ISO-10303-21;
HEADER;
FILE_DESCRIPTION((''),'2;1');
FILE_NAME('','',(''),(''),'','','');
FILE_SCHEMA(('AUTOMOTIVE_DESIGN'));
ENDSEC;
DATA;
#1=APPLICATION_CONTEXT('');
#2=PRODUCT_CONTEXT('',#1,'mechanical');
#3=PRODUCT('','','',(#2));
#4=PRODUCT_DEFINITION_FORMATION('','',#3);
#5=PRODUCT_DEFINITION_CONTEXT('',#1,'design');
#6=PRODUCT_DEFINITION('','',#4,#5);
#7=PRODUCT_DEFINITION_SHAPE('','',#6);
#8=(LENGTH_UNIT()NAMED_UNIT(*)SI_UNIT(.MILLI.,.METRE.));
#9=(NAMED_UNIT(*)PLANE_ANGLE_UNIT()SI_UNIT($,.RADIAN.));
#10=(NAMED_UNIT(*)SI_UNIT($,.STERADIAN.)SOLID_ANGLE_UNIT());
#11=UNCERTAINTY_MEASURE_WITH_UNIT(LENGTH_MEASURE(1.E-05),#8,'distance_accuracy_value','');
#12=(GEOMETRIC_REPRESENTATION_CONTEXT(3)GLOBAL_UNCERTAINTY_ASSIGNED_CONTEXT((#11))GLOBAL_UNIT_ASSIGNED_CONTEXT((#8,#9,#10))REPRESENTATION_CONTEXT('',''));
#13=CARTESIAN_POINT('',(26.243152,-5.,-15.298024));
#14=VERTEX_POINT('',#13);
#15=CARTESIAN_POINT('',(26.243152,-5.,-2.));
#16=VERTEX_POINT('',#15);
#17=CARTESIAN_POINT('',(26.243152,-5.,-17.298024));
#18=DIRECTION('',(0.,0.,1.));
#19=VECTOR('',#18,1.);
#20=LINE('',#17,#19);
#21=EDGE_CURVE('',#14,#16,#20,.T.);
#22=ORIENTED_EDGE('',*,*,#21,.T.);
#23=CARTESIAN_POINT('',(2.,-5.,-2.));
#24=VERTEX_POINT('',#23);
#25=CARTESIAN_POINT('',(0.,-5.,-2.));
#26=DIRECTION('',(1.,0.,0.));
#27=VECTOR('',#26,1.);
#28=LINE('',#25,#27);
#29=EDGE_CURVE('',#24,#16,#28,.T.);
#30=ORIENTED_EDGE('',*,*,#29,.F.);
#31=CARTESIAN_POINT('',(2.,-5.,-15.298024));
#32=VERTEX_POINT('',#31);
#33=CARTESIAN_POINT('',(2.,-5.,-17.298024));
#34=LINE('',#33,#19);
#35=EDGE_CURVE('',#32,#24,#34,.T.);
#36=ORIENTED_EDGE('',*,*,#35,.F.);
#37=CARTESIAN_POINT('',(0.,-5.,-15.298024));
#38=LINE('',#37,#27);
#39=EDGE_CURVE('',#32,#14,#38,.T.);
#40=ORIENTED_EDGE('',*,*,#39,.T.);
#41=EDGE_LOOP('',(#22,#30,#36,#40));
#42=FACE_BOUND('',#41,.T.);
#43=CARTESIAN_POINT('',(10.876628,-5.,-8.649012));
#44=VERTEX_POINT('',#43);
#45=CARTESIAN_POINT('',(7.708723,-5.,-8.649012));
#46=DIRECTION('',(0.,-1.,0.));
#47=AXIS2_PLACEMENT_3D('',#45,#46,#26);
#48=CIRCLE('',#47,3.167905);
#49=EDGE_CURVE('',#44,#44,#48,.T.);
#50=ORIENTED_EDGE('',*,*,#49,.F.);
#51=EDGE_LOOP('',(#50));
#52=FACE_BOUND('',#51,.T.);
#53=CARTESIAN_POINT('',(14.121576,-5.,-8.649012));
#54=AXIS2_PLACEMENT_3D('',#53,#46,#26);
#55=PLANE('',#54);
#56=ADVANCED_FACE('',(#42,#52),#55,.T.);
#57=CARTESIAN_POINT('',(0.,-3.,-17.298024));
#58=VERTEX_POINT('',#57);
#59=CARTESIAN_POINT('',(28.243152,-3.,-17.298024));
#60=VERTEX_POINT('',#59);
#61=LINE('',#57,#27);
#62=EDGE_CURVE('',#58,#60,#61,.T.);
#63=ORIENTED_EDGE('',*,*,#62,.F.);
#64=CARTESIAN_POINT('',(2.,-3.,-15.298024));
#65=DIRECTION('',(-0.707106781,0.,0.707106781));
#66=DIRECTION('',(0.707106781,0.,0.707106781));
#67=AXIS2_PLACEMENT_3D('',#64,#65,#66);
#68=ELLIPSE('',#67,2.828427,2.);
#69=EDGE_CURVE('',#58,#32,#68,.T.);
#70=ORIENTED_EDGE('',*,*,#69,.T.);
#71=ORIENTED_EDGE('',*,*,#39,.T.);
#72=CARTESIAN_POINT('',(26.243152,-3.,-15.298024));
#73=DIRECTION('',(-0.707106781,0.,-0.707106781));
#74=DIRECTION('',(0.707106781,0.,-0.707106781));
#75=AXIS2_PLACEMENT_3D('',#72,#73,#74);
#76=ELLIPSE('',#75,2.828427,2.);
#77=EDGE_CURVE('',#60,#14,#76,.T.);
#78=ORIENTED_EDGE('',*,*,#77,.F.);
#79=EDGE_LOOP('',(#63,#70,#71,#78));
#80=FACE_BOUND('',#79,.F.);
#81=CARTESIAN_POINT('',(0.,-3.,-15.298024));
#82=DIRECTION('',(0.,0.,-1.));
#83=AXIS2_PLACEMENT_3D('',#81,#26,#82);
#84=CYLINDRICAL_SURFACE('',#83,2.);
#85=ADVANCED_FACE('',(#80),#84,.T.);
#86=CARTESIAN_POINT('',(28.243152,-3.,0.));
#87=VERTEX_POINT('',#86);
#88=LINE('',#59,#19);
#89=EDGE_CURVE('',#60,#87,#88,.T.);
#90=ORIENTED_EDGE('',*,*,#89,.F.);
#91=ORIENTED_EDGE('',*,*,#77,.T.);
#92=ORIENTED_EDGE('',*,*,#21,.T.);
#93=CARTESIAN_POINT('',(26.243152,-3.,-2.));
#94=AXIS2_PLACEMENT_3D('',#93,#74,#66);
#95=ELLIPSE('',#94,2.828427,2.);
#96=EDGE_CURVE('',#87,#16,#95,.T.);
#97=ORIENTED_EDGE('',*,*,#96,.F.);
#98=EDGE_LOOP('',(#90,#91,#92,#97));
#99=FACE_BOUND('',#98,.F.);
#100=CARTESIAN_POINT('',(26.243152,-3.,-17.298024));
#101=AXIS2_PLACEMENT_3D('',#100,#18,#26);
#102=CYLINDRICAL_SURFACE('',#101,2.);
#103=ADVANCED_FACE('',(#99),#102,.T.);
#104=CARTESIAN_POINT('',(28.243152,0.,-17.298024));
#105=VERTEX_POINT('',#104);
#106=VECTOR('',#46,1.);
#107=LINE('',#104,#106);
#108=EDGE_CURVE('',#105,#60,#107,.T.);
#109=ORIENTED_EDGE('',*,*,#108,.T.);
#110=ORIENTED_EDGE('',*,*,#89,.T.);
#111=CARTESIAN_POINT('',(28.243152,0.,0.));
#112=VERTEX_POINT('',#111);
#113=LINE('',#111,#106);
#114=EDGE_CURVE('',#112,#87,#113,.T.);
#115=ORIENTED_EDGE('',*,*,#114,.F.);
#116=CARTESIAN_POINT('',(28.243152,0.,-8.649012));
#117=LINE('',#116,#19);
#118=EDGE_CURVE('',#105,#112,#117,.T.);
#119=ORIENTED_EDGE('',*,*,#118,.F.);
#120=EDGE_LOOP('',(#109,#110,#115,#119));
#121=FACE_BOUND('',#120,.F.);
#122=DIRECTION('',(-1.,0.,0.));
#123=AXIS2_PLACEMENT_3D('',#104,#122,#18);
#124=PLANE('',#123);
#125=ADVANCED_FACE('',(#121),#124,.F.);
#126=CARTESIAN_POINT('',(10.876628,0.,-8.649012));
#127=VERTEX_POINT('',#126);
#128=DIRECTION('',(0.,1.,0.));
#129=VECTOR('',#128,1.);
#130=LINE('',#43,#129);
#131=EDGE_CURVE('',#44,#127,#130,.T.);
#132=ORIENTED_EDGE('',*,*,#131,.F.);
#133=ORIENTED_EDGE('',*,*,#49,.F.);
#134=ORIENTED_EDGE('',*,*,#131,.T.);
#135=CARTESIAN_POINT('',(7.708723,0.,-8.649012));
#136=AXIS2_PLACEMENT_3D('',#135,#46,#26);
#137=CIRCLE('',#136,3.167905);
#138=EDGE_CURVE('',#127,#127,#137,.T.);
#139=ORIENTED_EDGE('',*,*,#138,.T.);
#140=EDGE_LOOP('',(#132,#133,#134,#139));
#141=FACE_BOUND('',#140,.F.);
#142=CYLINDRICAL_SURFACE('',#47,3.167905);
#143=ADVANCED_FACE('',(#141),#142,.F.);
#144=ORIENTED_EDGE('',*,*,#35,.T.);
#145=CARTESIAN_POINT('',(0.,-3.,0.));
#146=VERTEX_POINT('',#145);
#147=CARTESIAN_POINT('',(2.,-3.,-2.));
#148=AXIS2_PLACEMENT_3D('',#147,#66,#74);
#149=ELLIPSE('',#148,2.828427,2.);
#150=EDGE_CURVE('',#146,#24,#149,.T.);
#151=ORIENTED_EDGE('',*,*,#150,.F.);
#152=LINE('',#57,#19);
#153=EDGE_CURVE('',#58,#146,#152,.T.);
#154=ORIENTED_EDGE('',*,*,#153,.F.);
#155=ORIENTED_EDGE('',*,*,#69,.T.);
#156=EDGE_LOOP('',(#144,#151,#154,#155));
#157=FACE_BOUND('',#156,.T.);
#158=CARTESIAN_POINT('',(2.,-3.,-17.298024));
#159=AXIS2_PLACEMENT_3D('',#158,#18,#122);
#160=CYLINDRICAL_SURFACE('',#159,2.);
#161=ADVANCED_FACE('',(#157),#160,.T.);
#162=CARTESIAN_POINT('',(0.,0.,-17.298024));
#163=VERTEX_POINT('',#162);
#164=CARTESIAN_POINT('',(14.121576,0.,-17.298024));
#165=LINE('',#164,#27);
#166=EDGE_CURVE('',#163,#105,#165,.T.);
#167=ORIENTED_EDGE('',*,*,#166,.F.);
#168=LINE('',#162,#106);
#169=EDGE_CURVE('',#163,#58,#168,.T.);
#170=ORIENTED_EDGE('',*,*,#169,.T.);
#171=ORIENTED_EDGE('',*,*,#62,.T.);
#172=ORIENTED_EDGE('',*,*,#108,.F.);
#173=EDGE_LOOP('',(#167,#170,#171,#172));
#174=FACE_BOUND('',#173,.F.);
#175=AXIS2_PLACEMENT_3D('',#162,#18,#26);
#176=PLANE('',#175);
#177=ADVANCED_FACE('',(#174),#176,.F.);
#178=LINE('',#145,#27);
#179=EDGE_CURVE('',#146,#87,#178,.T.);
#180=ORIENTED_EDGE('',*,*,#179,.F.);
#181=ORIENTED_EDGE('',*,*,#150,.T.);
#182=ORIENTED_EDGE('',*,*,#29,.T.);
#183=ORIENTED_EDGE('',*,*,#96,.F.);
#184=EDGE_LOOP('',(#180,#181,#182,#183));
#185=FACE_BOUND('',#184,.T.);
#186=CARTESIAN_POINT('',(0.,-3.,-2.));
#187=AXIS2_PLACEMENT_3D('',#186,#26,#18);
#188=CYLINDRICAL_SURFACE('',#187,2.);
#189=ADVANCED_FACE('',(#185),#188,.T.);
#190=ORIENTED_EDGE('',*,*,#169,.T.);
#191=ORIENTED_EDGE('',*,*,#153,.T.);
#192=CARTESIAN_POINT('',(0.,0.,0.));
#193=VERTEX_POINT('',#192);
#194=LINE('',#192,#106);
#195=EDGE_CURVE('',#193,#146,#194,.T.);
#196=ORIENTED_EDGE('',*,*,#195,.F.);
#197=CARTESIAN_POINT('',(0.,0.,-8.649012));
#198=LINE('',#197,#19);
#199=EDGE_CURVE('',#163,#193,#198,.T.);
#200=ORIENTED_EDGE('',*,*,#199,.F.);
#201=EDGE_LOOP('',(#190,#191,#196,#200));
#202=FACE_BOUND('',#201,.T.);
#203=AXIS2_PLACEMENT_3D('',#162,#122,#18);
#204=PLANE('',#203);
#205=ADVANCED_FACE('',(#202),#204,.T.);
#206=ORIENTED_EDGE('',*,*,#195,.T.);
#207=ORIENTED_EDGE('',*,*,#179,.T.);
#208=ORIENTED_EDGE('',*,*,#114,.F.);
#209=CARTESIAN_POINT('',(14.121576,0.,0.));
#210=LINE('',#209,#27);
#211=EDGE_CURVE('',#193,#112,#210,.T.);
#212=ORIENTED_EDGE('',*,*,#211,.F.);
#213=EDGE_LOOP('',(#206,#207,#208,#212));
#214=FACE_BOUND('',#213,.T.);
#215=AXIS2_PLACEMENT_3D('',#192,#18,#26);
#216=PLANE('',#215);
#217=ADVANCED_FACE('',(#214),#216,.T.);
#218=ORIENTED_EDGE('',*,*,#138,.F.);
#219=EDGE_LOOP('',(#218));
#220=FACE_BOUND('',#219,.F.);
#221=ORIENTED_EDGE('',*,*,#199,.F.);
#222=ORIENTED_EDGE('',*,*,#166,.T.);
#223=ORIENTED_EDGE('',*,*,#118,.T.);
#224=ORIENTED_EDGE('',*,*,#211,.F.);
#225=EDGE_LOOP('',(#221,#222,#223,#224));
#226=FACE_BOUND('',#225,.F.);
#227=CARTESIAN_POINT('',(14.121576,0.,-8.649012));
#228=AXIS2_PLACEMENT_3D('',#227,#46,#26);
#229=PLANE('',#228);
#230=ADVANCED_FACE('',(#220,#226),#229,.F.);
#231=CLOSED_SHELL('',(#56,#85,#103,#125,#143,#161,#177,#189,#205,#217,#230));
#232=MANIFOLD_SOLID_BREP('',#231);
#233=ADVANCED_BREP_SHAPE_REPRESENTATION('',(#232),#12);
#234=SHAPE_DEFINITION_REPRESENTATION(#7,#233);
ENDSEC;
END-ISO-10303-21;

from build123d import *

# Parameters (mm, degrees)
F0_W     = 28.243152
F0_H     = 17.298024
F1_DEPTH = 5
F2_R     = 2
F3_R     = 3.167905
F4_DEPTH = 25


with BuildPart() as f1:
    # F0 (on Front) → F1 (new body)
    with BuildSketch(Plane.XZ):
        with Locations((14.121576, -8.649012)):
            Rectangle(F0_W, F0_H)
    extrude(amount=F1_DEPTH)

    # F2
    f2_edges = [f1.edges().sort_by_distance(p)[0] for p in [
        (14.121576, -5, -17.298024),
        (28.243152, -5, -8.649012),
        (14.121576, -5, 0),
        (0, -5, -8.649012),
    ]]
    fillet(f2_edges, radius=F2_R)

    # F3 (on face) → F4 (cut)
    with BuildSketch(Plane.XZ.offset(5)):
        with Locations((7.708723, -8.649012)):
            Circle(F3_R)
    extrude(amount=-F4_DEPTH, mode=Mode.SUBTRACT)


solid = f1.part
